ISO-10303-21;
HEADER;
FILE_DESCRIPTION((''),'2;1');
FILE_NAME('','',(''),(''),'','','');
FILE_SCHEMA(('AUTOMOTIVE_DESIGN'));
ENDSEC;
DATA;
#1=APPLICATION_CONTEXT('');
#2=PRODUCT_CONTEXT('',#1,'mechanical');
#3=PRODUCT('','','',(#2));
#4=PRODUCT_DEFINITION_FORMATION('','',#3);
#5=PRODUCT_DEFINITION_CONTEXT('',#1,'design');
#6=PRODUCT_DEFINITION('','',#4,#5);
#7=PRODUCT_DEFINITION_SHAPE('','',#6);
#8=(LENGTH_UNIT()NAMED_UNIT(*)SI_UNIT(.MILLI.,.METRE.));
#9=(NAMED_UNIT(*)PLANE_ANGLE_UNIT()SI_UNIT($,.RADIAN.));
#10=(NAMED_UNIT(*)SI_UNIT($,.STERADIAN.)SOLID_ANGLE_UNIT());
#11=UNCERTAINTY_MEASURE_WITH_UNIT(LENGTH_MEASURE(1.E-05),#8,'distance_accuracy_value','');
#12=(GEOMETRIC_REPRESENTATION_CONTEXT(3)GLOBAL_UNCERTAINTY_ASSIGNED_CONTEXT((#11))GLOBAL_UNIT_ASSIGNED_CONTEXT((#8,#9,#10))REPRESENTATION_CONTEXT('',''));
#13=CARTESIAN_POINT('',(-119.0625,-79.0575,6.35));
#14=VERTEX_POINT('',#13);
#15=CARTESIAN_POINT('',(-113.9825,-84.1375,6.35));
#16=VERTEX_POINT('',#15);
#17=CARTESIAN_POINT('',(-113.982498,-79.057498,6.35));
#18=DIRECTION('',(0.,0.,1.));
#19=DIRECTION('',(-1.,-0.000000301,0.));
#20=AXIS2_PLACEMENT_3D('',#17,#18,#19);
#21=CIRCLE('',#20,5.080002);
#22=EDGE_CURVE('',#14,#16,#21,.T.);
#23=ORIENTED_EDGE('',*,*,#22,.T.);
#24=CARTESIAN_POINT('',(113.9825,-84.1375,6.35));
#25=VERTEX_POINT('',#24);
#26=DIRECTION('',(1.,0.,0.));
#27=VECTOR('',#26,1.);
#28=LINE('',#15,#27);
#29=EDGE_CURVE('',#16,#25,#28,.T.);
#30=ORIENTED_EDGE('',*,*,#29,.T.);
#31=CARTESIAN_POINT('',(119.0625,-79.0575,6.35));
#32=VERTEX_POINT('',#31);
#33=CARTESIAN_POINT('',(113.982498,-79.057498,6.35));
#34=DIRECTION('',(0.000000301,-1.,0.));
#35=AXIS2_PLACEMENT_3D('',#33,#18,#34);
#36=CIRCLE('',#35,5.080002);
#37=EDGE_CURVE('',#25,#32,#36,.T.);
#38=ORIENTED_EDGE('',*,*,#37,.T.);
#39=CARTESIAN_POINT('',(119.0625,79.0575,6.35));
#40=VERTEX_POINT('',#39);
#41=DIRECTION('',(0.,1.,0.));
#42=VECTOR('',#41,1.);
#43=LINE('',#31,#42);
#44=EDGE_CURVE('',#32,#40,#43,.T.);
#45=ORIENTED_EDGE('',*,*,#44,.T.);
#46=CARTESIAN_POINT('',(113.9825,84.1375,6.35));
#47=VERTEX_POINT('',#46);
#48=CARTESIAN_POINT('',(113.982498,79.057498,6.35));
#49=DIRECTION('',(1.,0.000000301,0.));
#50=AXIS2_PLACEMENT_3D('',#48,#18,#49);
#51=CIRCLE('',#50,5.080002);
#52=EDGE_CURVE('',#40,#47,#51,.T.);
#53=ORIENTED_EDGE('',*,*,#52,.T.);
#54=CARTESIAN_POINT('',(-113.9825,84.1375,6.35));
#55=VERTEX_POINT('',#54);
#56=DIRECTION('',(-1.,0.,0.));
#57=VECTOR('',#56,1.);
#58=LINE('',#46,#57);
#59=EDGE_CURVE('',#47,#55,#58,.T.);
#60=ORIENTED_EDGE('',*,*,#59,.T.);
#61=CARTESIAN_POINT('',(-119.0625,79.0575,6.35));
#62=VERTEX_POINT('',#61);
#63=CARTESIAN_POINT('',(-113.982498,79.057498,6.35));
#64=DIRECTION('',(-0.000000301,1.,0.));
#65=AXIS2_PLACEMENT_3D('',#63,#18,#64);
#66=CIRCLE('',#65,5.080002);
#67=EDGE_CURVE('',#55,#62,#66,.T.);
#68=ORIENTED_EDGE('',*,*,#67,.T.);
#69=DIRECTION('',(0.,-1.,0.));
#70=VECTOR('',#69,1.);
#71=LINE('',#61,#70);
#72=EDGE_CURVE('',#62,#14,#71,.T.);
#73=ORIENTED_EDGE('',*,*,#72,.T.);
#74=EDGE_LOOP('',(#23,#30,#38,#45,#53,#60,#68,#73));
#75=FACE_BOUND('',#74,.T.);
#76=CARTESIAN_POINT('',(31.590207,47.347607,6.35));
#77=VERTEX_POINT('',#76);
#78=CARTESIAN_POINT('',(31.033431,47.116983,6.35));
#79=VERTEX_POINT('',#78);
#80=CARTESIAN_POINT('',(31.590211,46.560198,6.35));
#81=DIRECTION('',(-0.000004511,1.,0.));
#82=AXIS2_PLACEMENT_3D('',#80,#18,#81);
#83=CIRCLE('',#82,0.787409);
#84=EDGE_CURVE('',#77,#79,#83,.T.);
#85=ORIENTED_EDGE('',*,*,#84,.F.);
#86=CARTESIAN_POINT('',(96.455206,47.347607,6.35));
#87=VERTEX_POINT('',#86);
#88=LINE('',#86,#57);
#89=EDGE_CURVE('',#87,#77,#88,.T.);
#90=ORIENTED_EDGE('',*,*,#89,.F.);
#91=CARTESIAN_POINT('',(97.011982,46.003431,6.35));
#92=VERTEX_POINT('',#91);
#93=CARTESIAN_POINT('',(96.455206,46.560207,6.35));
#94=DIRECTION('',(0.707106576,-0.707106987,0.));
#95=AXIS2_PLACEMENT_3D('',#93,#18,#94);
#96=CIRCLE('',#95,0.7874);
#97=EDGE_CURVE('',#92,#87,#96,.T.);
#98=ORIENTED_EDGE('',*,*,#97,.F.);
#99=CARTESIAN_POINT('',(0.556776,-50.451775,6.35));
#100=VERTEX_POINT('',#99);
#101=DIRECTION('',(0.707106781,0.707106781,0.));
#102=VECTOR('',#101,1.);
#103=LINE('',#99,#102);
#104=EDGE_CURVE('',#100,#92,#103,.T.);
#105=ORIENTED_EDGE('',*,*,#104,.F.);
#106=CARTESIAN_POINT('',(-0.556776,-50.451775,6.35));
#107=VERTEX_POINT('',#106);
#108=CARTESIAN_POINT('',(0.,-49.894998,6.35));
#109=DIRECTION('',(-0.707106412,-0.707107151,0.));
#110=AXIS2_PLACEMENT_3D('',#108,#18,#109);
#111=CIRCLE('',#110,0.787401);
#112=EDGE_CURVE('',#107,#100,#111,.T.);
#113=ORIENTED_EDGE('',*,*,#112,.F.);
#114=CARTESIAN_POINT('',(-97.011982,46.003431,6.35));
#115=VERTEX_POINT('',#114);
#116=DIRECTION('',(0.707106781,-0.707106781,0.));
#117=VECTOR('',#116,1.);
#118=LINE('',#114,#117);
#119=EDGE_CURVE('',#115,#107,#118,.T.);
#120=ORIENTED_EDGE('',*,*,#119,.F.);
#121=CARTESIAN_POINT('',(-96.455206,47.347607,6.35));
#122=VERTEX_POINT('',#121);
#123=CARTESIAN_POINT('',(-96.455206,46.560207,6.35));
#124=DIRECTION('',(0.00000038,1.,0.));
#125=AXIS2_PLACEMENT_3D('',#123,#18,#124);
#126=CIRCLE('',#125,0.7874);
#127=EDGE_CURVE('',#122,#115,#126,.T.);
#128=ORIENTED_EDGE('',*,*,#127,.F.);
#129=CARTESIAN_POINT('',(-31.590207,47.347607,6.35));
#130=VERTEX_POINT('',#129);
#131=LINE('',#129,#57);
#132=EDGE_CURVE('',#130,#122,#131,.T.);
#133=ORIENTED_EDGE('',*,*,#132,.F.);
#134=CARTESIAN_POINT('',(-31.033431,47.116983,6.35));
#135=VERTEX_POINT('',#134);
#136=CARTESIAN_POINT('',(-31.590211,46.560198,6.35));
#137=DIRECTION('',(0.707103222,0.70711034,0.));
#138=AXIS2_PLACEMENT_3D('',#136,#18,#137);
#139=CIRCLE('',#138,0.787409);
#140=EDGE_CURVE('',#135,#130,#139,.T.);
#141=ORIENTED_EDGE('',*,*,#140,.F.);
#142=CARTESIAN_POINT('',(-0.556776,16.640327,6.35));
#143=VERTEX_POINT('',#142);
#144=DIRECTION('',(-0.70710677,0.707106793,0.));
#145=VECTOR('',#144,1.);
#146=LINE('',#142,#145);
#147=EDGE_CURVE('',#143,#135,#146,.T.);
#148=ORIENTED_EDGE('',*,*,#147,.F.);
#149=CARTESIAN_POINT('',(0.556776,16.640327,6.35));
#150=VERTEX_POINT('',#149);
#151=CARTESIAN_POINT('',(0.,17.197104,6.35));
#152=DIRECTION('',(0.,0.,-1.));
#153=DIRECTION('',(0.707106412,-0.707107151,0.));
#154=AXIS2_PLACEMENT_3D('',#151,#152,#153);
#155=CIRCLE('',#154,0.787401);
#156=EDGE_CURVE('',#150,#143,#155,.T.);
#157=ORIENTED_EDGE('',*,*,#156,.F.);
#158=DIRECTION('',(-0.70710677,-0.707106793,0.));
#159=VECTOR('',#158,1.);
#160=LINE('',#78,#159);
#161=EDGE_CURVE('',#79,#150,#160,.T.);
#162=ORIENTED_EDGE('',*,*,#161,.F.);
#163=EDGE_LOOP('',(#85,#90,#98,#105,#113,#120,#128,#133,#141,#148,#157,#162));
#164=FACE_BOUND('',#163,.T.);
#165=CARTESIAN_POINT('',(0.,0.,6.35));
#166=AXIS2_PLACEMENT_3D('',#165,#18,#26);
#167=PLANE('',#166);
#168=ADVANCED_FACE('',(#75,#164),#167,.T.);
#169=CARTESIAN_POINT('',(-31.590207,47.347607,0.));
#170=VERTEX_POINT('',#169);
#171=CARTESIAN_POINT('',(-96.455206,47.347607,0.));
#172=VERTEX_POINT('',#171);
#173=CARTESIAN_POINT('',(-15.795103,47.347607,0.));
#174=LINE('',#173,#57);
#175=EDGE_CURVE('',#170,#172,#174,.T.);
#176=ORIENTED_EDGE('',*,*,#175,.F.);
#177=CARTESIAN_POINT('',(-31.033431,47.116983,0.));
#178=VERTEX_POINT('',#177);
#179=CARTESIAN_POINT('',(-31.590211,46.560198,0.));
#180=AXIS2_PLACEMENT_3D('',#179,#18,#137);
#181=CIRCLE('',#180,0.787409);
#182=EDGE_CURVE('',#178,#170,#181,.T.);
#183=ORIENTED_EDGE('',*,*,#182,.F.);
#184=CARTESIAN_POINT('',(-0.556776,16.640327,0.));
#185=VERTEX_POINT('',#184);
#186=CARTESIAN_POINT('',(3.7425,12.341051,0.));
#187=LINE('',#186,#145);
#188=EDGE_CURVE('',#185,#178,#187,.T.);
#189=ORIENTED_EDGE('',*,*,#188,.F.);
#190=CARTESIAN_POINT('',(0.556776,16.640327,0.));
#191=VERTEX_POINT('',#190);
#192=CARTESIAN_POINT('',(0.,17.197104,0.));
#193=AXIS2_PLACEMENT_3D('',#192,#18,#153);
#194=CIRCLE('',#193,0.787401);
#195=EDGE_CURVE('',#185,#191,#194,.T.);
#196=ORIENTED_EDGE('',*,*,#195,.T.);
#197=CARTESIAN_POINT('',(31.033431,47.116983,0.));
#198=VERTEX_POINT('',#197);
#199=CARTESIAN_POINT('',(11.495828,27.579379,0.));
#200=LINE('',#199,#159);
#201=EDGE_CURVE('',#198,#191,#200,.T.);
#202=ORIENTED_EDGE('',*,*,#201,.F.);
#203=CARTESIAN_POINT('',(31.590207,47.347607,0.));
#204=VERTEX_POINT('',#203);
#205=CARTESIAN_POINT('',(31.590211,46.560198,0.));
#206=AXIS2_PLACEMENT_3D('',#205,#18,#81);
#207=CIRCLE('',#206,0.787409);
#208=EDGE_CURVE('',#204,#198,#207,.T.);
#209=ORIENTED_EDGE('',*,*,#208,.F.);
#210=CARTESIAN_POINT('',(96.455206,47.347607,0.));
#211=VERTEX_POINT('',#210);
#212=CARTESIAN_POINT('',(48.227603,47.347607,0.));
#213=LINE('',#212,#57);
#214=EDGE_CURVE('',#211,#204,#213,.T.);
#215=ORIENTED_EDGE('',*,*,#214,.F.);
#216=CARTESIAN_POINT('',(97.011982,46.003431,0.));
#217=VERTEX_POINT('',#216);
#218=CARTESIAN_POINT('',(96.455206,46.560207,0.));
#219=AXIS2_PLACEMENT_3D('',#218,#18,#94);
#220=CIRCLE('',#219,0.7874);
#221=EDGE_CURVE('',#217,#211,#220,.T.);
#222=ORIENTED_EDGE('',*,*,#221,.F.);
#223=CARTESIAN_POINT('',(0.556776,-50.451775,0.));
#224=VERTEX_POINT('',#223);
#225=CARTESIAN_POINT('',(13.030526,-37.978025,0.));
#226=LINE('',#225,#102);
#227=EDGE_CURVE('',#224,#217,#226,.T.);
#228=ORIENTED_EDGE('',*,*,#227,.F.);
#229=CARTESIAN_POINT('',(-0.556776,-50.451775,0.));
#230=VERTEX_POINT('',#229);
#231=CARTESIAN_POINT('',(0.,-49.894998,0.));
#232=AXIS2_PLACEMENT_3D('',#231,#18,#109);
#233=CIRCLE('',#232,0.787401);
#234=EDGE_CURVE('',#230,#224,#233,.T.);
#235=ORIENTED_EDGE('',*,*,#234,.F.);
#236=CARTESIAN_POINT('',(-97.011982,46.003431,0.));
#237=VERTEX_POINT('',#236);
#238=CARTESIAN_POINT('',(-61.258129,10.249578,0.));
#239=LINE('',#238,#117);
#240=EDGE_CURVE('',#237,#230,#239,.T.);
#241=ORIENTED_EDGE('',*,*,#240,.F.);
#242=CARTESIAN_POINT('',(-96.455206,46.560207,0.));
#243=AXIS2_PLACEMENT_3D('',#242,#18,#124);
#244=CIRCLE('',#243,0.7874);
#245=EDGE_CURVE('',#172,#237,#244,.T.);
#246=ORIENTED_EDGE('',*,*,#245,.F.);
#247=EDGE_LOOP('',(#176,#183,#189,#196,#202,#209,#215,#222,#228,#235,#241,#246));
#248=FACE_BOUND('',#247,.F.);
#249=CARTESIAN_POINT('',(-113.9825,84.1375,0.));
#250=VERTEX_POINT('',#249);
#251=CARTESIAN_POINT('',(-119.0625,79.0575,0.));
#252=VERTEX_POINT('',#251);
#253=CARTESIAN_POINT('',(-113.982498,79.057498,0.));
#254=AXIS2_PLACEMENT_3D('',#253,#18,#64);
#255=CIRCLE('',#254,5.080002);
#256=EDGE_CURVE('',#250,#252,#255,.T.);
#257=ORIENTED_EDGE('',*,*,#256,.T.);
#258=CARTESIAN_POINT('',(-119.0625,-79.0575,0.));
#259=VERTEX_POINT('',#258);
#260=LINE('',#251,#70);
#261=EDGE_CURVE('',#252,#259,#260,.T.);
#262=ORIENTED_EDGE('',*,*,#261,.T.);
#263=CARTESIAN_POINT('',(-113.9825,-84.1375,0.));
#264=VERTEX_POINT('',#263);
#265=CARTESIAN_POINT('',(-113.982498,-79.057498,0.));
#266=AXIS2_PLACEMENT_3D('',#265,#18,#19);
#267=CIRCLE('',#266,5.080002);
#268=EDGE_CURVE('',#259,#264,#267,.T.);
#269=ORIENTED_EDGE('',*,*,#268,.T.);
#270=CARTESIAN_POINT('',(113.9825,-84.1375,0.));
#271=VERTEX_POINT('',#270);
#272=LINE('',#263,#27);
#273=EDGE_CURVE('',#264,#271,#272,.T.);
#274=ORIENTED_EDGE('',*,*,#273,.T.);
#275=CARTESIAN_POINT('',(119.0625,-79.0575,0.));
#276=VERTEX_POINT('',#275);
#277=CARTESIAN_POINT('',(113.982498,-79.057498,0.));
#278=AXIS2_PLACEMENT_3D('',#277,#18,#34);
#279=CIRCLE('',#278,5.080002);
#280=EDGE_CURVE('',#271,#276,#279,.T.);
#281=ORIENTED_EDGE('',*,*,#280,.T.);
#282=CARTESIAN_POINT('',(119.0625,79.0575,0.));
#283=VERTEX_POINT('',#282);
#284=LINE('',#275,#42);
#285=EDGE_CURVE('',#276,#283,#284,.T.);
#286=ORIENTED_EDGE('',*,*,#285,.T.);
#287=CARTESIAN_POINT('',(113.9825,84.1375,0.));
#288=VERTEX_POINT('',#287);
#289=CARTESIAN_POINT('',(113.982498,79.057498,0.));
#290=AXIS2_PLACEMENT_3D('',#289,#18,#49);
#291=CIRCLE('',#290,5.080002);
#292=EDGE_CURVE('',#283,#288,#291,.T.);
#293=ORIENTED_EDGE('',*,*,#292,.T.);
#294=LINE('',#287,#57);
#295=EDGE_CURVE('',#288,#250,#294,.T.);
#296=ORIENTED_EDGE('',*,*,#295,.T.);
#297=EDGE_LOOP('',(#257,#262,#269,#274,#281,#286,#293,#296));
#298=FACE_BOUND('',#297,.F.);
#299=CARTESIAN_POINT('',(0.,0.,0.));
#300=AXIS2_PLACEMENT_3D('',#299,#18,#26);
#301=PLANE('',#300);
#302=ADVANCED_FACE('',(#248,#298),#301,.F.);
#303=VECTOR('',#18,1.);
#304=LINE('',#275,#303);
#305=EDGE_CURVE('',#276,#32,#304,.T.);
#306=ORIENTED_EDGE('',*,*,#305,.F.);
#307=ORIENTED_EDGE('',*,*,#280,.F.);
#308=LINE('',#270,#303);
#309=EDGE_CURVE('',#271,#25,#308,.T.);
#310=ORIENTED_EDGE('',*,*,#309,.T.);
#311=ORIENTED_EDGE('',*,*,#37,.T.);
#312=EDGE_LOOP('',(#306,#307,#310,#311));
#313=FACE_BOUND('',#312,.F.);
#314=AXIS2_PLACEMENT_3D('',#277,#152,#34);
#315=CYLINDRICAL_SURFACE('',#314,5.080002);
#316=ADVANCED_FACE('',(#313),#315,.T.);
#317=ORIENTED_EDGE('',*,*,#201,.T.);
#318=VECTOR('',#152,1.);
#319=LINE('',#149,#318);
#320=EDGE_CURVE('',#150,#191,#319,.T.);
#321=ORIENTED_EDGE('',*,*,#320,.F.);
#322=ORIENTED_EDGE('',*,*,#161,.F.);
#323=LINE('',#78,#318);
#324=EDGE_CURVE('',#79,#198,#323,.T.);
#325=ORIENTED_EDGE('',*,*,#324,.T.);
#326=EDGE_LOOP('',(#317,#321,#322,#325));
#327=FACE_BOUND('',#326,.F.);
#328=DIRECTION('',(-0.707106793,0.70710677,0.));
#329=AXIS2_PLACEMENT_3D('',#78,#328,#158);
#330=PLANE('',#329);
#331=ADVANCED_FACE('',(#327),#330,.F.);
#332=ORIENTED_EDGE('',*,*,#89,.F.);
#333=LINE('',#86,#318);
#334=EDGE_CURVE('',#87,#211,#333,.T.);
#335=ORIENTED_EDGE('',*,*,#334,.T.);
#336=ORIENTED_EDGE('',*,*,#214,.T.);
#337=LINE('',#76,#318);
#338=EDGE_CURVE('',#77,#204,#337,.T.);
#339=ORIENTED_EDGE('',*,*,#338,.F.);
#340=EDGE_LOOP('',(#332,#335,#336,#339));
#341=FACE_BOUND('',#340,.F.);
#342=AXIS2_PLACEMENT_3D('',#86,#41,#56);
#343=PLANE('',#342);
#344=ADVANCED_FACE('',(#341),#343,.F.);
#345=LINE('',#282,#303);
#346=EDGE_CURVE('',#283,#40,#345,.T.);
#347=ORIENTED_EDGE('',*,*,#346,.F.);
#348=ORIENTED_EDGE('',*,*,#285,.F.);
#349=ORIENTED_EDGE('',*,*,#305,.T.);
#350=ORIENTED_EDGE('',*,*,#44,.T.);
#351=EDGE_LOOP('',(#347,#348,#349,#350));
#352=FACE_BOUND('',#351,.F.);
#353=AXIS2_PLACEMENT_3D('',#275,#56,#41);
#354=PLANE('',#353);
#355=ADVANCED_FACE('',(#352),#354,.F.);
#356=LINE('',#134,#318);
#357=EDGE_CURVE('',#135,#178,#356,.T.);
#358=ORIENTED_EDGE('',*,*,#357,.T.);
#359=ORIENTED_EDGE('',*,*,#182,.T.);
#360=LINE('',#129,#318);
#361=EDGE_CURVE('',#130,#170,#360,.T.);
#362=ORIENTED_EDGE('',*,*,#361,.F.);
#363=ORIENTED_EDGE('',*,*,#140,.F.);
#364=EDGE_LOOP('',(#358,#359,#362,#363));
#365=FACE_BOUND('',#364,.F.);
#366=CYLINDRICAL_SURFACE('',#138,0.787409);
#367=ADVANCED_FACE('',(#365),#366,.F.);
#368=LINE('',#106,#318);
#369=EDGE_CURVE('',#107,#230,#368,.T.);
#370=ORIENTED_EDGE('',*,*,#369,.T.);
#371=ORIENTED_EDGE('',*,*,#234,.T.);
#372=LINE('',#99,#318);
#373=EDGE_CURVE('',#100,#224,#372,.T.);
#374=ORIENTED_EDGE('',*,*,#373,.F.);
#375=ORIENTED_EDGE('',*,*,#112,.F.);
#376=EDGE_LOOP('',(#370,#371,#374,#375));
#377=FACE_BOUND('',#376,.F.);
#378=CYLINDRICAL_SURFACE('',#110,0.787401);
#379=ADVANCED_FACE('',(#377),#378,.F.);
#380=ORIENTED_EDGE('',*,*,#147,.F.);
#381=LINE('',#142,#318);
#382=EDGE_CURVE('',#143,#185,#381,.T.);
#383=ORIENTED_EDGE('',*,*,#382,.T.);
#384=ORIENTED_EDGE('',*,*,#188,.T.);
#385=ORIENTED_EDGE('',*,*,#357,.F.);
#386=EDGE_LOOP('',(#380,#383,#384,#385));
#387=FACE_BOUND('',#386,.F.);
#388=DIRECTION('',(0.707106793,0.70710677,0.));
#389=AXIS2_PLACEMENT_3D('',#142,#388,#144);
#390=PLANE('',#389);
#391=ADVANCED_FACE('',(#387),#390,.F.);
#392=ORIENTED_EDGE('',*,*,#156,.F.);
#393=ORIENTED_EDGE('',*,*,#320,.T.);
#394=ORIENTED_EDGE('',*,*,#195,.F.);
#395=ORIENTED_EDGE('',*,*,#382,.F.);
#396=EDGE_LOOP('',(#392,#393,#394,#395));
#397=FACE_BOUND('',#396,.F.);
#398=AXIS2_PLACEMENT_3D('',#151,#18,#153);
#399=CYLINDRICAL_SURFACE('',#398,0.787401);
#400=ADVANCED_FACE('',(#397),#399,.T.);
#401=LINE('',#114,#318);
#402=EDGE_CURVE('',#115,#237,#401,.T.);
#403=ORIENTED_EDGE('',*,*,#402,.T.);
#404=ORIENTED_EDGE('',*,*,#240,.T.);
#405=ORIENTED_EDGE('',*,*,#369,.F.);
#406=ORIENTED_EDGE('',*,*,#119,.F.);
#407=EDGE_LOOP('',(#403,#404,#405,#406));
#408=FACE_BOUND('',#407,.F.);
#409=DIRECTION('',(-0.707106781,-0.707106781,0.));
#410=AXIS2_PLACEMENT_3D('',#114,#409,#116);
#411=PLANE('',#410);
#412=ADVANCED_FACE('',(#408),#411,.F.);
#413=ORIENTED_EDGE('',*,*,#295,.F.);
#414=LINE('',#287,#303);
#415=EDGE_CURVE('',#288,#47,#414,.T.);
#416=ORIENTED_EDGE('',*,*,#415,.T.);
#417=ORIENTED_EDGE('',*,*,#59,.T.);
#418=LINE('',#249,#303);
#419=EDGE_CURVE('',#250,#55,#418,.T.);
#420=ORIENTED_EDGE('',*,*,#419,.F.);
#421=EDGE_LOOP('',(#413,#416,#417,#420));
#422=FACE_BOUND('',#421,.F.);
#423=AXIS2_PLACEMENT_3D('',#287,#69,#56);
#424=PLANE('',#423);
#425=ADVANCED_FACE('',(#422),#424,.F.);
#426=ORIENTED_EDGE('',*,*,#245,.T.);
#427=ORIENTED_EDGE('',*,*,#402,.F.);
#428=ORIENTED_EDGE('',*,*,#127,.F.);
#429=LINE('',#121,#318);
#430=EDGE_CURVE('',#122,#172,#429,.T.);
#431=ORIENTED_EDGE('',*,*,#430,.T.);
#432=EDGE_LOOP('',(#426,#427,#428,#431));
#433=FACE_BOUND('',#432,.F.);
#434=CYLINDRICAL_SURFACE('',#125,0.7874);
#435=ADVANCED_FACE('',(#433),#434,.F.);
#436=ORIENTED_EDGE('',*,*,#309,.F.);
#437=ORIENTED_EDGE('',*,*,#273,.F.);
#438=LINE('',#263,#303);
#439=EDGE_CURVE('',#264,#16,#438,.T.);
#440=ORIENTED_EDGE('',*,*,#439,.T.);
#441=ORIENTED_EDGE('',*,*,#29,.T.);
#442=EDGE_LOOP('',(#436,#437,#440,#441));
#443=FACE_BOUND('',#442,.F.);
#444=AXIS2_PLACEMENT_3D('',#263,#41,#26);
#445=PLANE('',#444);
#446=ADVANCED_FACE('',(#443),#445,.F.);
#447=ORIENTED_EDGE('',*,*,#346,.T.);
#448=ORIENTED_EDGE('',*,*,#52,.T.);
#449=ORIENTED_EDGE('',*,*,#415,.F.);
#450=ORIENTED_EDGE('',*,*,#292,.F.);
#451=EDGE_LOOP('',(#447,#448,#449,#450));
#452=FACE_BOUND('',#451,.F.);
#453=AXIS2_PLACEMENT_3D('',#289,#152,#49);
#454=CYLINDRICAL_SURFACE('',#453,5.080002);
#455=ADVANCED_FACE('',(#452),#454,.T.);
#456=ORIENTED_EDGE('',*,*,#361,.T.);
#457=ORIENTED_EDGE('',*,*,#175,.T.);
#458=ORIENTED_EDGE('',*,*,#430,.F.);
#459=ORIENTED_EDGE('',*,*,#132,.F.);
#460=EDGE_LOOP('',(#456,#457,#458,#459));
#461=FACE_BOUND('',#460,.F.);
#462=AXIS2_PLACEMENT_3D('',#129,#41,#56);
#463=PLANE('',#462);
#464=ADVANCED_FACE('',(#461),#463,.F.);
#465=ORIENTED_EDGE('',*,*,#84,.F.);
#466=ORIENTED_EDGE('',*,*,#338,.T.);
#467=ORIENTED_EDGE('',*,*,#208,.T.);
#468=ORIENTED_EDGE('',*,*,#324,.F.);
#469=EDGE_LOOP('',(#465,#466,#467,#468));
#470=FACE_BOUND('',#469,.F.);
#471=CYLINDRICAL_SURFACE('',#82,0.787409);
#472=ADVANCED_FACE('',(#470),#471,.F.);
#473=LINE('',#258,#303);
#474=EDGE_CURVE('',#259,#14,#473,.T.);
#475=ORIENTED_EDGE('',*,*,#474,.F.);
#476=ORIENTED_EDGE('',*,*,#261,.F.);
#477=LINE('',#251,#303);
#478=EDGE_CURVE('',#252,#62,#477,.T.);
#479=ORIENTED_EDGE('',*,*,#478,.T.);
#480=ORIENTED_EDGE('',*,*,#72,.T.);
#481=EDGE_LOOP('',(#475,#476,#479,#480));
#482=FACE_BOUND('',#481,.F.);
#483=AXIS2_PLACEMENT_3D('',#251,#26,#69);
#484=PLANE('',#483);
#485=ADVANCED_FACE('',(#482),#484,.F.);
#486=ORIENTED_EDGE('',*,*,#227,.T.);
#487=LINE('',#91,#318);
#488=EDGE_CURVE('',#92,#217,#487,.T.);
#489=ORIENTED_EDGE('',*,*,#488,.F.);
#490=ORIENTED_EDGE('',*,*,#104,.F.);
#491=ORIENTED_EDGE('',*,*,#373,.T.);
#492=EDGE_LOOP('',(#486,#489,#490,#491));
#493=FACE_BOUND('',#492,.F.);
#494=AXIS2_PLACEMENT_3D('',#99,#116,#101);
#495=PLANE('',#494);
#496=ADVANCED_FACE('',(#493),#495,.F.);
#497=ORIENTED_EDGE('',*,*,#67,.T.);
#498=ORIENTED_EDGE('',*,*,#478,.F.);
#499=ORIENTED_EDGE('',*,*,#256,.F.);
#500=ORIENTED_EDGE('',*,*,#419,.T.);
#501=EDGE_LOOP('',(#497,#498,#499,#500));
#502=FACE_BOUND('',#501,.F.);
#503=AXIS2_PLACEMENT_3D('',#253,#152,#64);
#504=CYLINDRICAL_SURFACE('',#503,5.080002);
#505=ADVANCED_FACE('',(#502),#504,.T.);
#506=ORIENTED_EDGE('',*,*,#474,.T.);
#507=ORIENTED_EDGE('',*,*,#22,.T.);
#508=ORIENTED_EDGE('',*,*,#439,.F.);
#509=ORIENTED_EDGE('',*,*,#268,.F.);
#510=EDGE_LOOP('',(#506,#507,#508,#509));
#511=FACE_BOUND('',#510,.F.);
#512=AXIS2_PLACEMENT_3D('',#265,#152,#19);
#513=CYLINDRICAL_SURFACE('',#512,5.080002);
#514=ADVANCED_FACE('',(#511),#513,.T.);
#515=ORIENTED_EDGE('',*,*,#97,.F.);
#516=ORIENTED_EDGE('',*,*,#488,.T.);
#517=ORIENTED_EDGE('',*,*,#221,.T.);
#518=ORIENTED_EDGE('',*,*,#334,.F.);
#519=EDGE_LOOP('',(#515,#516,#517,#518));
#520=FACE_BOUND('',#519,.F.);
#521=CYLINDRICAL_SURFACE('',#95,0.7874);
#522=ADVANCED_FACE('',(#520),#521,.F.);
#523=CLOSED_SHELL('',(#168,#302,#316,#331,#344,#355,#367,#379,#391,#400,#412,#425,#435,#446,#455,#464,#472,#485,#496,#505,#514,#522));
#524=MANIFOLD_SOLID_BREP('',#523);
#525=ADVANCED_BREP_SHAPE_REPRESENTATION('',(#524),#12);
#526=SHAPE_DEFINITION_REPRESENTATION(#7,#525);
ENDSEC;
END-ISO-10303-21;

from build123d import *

# Parameters (mm, degrees)
F1_DEPTH = 6.35
F3_DEPTH = 6.351
F5_DEPTH = 6.351


with BuildPart() as f1:
    # F0 (on Top) → F1 (new body)
    with BuildSketch(Plane.XY):
        with BuildLine():
            Line((113.9825, 84.1375), (-113.9825, 84.1375))
            ThreePointArc((-113.9825, 84.1375), (-117.574602, 82.649602), (-119.0625, 79.0575))
            Line((-119.0625, 79.0575), (-119.0625, -79.0575))
            ThreePointArc((-119.0625, -79.0575), (-117.574602, -82.649602), (-113.9825, -84.1375))
            Line((-113.9825, -84.1375), (113.9825, -84.1375))
            ThreePointArc((113.9825, -84.1375), (117.574602, -82.649602), (119.0625, -79.0575))
            Line((119.0625, -79.0575), (119.0625, 79.0575))
            ThreePointArc((119.0625, 79.0575), (117.574602, 82.649602), (113.9825, 84.1375))
        make_face()
    extrude(amount=F1_DEPTH)

    # F2 (on face) → F3 (cut, through all)
    with BuildSketch(Plane.XY.offset(6.35)):
        Polygon((-95.290107, 46.077607), (0, -49.2125), (95.290107, 46.077607), (31.790107, 46.077607), (0, 14.2875), (-31.790107, 46.077607), align=None)
    extrude(amount=-F3_DEPTH, mode=Mode.SUBTRACT)

    # F4 (on face) → F5 (cut, through all)
    with BuildSketch(Plane.XY.offset(6.35)):
        with BuildLine():
            Line((-97.011982, 46.003431), (-0.556776, -50.451775))
            ThreePointArc((-0.556776, -50.451775), (0, -50.682399), (0.556776, -50.451775))
            Line((0.556776, -50.451775), (97.011982, 46.003431))
            ThreePointArc((97.011982, 46.003431), (97.182669, 46.861532), (96.455206, 47.347607))
            Line((96.455206, 47.347607), (31.590207, 47.347607))
            ThreePointArc((31.590207, 47.347607), (31.288882, 47.287669), (31.033431, 47.116983))
            Line((31.033431, 47.116983), (0.556776, 16.640327))
            ThreePointArc((0.556776, 16.640327), (0, 16.409703), (-0.556776, 16.640327))
            Line((-0.556776, 16.640327), (-31.033431, 47.116983))
            ThreePointArc((-31.033431, 47.116983), (-31.288882, 47.287669), (-31.590207, 47.347607))
            Line((-31.590207, 47.347607), (-96.455206, 47.347607))
            ThreePointArc((-96.455206, 47.347607), (-97.182669, 46.861532), (-97.011982, 46.003431))
        make_face()
    extrude(amount=-F5_DEPTH, mode=Mode.SUBTRACT)


solid = f1.part
